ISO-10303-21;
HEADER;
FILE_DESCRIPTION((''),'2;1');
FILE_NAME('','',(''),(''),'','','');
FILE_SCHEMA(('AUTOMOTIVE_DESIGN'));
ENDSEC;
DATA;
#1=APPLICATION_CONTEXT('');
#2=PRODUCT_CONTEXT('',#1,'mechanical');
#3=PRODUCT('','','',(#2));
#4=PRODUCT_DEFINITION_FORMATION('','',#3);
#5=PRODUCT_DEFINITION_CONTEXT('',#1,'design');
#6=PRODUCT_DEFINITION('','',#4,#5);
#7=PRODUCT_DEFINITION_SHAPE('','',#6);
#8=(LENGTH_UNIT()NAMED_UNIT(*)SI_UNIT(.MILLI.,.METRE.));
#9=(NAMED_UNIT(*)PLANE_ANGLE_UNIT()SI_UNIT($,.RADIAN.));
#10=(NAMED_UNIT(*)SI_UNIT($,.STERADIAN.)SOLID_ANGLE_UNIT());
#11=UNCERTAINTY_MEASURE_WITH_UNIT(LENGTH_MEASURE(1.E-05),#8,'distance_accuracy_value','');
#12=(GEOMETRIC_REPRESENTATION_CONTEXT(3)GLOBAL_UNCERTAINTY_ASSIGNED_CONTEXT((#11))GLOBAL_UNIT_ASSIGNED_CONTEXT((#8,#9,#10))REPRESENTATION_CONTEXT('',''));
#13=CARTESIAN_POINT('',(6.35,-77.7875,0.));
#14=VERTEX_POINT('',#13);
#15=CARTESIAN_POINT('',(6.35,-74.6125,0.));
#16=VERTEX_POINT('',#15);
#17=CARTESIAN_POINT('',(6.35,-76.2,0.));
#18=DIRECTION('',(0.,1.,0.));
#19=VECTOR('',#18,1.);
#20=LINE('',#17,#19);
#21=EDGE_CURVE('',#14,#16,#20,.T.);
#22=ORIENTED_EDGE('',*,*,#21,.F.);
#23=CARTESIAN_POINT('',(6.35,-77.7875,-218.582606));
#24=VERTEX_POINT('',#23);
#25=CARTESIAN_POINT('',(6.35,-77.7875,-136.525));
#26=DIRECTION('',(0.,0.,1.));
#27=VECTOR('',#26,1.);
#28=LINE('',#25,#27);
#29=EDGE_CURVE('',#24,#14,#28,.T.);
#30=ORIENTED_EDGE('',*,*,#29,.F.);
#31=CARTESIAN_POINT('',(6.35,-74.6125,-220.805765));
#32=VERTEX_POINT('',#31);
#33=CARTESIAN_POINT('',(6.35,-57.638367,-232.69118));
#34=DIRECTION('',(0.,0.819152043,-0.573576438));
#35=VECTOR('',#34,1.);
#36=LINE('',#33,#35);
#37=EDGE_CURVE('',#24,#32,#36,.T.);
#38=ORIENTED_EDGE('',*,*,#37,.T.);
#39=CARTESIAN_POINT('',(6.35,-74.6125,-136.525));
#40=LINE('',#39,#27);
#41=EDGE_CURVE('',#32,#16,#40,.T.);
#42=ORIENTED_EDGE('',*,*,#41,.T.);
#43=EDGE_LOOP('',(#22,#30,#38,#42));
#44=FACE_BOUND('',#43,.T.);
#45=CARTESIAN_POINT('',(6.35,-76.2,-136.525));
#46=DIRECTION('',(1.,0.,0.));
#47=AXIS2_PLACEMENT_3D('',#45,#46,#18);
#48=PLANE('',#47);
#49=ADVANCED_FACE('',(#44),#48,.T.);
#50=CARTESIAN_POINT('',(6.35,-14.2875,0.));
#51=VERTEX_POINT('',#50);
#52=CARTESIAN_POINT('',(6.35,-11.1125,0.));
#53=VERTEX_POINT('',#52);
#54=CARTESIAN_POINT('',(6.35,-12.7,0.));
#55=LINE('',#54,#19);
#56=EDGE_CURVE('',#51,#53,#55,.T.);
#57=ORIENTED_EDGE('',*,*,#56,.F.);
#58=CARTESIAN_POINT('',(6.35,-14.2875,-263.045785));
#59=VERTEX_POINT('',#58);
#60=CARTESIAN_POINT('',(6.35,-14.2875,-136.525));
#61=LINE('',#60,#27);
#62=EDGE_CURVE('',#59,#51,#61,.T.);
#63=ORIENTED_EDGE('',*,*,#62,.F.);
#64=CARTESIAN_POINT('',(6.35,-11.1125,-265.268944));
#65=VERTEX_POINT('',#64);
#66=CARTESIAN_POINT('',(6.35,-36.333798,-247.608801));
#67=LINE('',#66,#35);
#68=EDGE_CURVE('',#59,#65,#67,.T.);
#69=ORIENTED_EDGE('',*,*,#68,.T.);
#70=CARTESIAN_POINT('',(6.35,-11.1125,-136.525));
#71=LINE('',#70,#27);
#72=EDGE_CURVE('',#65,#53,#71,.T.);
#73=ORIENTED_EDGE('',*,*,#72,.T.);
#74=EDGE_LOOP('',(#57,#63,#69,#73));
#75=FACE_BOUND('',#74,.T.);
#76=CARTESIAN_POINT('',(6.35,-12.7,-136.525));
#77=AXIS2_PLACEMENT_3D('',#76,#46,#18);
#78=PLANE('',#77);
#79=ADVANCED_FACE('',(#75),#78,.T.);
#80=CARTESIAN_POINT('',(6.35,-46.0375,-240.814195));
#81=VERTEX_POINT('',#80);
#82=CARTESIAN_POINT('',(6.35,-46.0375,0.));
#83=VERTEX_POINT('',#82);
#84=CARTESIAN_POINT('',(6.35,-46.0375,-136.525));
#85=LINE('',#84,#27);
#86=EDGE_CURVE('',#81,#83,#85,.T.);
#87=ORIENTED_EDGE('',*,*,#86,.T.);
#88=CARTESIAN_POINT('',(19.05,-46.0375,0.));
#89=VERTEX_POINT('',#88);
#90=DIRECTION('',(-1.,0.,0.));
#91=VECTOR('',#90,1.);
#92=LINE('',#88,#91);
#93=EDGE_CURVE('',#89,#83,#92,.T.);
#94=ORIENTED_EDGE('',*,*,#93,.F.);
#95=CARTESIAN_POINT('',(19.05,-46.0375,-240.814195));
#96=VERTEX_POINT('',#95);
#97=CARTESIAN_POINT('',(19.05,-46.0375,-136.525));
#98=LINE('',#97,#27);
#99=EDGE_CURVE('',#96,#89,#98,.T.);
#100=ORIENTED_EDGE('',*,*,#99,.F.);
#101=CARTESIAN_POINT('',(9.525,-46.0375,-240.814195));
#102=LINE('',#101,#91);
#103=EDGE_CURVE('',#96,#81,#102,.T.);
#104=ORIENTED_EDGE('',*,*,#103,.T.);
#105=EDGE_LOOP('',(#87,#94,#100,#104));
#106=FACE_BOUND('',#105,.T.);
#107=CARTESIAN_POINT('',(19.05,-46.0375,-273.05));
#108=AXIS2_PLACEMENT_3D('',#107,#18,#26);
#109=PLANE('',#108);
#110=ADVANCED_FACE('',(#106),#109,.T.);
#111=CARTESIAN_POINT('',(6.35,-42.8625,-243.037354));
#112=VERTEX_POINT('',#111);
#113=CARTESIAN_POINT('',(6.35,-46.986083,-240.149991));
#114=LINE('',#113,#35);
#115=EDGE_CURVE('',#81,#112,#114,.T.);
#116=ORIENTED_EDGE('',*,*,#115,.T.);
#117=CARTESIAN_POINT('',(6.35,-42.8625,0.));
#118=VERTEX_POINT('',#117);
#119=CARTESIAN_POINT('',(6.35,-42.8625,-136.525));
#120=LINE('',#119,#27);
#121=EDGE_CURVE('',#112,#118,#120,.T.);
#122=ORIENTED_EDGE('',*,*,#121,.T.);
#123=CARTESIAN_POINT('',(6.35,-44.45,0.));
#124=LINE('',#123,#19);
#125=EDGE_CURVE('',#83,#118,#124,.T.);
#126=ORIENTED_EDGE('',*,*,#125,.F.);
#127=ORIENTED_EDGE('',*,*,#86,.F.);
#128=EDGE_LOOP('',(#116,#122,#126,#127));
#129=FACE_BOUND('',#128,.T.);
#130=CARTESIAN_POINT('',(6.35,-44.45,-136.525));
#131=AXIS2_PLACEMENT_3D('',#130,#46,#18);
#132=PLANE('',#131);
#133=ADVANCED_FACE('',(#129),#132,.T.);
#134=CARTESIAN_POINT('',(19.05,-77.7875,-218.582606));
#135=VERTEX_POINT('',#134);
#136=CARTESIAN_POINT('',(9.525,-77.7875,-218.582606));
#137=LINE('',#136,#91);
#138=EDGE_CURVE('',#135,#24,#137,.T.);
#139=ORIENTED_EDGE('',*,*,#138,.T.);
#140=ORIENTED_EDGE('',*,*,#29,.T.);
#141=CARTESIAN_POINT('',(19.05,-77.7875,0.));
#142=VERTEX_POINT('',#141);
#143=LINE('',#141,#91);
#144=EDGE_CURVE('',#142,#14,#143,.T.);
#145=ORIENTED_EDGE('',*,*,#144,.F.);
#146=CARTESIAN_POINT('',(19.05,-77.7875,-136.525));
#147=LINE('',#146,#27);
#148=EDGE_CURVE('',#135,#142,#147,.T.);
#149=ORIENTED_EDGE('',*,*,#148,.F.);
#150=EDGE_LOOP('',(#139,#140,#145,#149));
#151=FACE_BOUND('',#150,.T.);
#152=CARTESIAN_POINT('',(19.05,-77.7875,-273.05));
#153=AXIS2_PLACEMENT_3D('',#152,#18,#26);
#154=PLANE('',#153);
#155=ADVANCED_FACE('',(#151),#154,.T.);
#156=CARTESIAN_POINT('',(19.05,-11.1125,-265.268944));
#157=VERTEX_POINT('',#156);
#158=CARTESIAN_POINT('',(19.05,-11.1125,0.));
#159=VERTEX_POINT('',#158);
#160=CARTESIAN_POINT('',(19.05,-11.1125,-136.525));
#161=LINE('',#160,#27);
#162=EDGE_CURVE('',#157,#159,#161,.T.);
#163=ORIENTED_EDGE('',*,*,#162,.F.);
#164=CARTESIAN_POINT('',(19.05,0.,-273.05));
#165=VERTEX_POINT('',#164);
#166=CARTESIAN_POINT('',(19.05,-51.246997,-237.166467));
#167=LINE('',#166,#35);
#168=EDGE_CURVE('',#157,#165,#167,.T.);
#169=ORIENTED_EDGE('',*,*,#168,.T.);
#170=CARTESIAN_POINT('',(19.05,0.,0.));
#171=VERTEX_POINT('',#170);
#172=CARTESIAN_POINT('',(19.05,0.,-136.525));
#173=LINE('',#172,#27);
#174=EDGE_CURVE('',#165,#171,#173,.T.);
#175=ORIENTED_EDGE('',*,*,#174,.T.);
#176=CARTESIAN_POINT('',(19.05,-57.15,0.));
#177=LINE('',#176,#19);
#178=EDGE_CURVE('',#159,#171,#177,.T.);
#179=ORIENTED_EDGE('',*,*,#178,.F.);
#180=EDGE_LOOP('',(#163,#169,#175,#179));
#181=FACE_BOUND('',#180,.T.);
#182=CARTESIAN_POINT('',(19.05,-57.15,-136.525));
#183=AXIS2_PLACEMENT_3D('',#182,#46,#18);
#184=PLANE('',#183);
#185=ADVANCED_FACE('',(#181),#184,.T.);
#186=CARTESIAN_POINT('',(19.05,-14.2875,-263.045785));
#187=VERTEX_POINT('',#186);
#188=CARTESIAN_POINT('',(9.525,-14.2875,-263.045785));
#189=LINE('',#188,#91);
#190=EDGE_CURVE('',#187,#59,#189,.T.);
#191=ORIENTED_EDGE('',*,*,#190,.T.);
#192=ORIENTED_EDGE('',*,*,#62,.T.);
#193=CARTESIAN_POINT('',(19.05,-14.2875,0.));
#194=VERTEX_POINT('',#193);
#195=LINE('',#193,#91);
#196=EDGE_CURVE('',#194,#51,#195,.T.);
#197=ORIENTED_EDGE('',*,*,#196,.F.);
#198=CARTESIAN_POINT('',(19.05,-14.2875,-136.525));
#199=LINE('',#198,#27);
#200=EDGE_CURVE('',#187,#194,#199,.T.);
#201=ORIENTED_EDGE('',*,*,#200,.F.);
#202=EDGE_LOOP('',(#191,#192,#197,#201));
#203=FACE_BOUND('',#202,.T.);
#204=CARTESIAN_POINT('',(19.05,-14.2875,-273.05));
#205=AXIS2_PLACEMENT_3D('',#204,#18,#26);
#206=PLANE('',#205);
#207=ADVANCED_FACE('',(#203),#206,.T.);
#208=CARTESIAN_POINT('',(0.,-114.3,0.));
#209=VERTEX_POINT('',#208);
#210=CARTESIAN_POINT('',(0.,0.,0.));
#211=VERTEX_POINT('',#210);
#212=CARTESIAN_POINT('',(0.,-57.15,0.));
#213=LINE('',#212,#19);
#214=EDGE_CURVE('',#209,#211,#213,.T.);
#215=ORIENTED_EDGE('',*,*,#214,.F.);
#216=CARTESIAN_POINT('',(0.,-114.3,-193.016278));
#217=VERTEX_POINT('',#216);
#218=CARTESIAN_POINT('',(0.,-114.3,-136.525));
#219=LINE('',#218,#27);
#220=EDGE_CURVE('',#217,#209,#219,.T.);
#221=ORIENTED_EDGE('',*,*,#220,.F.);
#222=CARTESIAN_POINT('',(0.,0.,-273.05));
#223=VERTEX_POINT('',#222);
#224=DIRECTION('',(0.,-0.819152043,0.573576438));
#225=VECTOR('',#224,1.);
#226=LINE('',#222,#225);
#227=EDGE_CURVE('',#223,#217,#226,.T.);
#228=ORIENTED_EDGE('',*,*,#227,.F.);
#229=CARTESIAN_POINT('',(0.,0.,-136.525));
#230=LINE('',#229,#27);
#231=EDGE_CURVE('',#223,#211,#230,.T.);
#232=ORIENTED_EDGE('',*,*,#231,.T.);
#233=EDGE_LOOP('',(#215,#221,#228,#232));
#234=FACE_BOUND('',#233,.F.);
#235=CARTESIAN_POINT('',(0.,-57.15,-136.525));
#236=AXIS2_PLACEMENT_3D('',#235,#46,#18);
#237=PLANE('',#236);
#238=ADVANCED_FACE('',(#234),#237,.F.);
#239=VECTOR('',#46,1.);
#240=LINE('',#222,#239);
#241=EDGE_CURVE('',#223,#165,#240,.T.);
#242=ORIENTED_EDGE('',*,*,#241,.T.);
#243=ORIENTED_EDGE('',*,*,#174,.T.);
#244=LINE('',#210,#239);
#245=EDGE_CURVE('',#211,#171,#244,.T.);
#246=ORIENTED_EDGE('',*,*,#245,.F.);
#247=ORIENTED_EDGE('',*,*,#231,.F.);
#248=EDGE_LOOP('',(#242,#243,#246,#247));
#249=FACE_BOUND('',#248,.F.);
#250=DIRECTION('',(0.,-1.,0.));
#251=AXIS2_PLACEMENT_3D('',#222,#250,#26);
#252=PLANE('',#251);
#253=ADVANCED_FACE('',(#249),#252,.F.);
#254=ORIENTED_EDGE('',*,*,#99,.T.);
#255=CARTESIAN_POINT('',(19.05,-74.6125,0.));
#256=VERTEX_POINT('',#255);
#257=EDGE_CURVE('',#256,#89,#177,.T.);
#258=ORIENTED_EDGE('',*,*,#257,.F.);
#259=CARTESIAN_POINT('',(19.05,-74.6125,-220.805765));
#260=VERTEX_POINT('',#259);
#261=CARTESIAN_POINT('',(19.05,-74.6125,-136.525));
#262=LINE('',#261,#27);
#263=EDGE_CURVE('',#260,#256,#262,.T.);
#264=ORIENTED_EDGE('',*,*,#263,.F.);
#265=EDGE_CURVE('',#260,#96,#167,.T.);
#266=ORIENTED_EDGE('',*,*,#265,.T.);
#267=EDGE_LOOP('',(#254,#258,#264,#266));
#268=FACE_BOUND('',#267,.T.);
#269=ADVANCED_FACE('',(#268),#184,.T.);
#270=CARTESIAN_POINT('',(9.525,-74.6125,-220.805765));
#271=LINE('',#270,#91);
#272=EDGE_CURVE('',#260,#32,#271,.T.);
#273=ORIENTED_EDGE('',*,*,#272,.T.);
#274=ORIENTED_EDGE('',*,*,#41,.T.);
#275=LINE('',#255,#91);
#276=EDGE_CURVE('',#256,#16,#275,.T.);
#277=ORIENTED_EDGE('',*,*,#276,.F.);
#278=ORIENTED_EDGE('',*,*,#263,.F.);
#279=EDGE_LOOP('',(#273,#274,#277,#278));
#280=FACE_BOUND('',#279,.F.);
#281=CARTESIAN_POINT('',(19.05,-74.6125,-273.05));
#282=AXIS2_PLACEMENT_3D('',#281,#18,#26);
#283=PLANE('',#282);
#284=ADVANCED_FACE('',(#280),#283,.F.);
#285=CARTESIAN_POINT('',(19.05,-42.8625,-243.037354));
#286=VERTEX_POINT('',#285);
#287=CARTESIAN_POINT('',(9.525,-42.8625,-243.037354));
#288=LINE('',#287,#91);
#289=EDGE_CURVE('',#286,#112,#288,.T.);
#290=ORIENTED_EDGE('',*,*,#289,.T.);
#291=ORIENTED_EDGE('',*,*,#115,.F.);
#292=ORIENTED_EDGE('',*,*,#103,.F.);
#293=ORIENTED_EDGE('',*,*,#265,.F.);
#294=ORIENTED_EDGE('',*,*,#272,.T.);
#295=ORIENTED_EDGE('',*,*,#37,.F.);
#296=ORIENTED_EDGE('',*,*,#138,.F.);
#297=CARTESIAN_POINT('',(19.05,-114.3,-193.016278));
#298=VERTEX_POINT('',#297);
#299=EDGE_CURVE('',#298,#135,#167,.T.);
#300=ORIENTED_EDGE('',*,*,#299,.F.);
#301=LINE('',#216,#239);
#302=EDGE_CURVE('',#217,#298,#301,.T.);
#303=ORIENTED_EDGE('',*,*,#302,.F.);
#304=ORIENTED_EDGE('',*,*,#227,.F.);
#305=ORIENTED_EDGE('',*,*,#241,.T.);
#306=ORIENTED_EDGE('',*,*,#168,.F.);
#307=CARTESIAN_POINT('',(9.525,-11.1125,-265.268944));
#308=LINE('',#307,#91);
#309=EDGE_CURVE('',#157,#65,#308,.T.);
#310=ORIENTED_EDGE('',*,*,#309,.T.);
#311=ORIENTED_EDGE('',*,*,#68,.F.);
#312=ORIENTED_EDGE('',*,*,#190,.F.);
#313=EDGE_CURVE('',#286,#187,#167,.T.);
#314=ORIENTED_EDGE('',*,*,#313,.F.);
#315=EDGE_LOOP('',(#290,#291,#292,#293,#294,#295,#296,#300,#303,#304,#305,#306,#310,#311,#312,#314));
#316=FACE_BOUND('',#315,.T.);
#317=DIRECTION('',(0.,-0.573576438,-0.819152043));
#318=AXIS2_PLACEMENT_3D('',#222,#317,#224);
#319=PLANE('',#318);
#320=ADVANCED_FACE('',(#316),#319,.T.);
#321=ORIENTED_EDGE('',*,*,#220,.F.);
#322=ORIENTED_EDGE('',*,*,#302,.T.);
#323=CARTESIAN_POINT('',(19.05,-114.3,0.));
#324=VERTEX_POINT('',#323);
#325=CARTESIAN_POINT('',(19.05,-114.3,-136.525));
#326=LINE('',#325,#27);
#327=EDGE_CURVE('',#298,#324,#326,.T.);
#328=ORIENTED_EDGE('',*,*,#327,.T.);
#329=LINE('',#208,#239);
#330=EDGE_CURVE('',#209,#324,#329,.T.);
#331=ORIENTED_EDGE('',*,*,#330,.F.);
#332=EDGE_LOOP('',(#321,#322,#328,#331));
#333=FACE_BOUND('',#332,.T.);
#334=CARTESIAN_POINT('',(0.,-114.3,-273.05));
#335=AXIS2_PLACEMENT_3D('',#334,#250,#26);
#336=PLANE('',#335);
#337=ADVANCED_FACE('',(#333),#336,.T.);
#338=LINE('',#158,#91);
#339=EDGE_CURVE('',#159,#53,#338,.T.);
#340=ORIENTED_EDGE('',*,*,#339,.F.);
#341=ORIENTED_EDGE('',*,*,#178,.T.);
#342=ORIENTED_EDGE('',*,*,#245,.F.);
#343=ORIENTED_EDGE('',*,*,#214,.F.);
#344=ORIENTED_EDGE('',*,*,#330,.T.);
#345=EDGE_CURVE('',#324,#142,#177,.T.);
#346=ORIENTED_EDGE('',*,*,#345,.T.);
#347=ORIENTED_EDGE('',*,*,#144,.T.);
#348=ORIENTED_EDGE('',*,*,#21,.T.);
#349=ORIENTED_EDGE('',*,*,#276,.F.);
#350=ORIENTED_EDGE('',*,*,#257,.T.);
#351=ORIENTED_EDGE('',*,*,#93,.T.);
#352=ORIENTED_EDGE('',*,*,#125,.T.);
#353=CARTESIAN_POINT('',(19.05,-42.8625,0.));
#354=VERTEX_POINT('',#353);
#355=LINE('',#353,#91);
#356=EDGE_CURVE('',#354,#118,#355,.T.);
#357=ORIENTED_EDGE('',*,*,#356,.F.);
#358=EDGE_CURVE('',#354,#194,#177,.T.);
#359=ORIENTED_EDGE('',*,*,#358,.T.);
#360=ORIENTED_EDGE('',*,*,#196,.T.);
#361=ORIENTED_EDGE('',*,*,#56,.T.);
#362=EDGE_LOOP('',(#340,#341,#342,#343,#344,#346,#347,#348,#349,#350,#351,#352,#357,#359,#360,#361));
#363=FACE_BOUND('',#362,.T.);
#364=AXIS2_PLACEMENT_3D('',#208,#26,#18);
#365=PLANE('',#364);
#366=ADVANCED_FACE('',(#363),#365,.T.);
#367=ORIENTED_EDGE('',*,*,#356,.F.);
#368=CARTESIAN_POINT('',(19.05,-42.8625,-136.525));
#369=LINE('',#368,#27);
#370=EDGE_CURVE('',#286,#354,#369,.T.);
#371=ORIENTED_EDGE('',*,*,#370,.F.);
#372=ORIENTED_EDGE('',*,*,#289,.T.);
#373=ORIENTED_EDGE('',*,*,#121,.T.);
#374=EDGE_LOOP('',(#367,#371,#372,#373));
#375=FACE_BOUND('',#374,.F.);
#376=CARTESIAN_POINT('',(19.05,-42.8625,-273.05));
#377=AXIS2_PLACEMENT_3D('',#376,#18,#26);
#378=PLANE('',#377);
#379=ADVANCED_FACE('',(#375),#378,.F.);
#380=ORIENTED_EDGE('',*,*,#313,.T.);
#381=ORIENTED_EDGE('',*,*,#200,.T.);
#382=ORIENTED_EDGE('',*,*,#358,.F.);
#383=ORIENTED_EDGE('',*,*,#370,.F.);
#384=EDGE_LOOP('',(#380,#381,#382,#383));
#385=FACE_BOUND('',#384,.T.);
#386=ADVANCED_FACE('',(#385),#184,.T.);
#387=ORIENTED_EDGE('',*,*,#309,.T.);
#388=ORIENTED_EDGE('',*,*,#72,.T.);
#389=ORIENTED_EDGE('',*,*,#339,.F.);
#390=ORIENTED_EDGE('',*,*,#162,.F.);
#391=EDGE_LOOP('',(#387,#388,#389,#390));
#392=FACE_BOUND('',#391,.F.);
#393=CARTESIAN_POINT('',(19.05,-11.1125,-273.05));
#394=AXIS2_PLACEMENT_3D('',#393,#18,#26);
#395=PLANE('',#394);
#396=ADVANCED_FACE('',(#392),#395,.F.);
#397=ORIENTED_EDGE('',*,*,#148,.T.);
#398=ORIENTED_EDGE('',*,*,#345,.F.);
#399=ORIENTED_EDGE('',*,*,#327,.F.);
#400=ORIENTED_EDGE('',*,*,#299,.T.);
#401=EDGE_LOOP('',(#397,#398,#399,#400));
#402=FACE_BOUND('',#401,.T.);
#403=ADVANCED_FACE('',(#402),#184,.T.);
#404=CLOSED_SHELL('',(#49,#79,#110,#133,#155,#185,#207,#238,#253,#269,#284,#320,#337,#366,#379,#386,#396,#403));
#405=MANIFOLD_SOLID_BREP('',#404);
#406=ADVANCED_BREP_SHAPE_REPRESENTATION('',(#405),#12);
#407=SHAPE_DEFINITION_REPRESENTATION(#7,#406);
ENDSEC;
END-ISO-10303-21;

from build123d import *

# Parameters (mm, degrees)
F0_W     = 114.3
F0_H     = 273.05
F1_DEPTH = 19.05
F2_W     = 3.175
F2_H     = 273.05
F3_DEPTH = 12.7
F5_DEPTH = 19.051


with BuildPart() as f1:
    # F0 (on Right) → F1 (new body)
    with BuildSketch(Plane.YZ):
        with Locations((-57.15, -136.525)):
            Rectangle(F0_W, F0_H)
    extrude(amount=F1_DEPTH)

    # F2 (on face) → F3 (cut)
    with BuildSketch(Plane.YZ.offset(19.05)):
        with Locations((-12.7, -136.525)):
            Rectangle(F2_W, F2_H)
        with Locations((-44.45, -136.525)):
            Rectangle(F2_W, F2_H)
        with Locations((-76.2, -136.525)):
            Rectangle(F2_W, F2_H)
    extrude(amount=-F3_DEPTH, mode=Mode.SUBTRACT)

    # F4 (on Right) → F5 (cut, through all)
    with BuildSketch(Plane.YZ):
        Polygon((-114.3, -273.05), (0, -273.05), (-114.3, -193.016278), align=None)
    extrude(amount=F5_DEPTH, mode=Mode.SUBTRACT)


solid = f1.part
